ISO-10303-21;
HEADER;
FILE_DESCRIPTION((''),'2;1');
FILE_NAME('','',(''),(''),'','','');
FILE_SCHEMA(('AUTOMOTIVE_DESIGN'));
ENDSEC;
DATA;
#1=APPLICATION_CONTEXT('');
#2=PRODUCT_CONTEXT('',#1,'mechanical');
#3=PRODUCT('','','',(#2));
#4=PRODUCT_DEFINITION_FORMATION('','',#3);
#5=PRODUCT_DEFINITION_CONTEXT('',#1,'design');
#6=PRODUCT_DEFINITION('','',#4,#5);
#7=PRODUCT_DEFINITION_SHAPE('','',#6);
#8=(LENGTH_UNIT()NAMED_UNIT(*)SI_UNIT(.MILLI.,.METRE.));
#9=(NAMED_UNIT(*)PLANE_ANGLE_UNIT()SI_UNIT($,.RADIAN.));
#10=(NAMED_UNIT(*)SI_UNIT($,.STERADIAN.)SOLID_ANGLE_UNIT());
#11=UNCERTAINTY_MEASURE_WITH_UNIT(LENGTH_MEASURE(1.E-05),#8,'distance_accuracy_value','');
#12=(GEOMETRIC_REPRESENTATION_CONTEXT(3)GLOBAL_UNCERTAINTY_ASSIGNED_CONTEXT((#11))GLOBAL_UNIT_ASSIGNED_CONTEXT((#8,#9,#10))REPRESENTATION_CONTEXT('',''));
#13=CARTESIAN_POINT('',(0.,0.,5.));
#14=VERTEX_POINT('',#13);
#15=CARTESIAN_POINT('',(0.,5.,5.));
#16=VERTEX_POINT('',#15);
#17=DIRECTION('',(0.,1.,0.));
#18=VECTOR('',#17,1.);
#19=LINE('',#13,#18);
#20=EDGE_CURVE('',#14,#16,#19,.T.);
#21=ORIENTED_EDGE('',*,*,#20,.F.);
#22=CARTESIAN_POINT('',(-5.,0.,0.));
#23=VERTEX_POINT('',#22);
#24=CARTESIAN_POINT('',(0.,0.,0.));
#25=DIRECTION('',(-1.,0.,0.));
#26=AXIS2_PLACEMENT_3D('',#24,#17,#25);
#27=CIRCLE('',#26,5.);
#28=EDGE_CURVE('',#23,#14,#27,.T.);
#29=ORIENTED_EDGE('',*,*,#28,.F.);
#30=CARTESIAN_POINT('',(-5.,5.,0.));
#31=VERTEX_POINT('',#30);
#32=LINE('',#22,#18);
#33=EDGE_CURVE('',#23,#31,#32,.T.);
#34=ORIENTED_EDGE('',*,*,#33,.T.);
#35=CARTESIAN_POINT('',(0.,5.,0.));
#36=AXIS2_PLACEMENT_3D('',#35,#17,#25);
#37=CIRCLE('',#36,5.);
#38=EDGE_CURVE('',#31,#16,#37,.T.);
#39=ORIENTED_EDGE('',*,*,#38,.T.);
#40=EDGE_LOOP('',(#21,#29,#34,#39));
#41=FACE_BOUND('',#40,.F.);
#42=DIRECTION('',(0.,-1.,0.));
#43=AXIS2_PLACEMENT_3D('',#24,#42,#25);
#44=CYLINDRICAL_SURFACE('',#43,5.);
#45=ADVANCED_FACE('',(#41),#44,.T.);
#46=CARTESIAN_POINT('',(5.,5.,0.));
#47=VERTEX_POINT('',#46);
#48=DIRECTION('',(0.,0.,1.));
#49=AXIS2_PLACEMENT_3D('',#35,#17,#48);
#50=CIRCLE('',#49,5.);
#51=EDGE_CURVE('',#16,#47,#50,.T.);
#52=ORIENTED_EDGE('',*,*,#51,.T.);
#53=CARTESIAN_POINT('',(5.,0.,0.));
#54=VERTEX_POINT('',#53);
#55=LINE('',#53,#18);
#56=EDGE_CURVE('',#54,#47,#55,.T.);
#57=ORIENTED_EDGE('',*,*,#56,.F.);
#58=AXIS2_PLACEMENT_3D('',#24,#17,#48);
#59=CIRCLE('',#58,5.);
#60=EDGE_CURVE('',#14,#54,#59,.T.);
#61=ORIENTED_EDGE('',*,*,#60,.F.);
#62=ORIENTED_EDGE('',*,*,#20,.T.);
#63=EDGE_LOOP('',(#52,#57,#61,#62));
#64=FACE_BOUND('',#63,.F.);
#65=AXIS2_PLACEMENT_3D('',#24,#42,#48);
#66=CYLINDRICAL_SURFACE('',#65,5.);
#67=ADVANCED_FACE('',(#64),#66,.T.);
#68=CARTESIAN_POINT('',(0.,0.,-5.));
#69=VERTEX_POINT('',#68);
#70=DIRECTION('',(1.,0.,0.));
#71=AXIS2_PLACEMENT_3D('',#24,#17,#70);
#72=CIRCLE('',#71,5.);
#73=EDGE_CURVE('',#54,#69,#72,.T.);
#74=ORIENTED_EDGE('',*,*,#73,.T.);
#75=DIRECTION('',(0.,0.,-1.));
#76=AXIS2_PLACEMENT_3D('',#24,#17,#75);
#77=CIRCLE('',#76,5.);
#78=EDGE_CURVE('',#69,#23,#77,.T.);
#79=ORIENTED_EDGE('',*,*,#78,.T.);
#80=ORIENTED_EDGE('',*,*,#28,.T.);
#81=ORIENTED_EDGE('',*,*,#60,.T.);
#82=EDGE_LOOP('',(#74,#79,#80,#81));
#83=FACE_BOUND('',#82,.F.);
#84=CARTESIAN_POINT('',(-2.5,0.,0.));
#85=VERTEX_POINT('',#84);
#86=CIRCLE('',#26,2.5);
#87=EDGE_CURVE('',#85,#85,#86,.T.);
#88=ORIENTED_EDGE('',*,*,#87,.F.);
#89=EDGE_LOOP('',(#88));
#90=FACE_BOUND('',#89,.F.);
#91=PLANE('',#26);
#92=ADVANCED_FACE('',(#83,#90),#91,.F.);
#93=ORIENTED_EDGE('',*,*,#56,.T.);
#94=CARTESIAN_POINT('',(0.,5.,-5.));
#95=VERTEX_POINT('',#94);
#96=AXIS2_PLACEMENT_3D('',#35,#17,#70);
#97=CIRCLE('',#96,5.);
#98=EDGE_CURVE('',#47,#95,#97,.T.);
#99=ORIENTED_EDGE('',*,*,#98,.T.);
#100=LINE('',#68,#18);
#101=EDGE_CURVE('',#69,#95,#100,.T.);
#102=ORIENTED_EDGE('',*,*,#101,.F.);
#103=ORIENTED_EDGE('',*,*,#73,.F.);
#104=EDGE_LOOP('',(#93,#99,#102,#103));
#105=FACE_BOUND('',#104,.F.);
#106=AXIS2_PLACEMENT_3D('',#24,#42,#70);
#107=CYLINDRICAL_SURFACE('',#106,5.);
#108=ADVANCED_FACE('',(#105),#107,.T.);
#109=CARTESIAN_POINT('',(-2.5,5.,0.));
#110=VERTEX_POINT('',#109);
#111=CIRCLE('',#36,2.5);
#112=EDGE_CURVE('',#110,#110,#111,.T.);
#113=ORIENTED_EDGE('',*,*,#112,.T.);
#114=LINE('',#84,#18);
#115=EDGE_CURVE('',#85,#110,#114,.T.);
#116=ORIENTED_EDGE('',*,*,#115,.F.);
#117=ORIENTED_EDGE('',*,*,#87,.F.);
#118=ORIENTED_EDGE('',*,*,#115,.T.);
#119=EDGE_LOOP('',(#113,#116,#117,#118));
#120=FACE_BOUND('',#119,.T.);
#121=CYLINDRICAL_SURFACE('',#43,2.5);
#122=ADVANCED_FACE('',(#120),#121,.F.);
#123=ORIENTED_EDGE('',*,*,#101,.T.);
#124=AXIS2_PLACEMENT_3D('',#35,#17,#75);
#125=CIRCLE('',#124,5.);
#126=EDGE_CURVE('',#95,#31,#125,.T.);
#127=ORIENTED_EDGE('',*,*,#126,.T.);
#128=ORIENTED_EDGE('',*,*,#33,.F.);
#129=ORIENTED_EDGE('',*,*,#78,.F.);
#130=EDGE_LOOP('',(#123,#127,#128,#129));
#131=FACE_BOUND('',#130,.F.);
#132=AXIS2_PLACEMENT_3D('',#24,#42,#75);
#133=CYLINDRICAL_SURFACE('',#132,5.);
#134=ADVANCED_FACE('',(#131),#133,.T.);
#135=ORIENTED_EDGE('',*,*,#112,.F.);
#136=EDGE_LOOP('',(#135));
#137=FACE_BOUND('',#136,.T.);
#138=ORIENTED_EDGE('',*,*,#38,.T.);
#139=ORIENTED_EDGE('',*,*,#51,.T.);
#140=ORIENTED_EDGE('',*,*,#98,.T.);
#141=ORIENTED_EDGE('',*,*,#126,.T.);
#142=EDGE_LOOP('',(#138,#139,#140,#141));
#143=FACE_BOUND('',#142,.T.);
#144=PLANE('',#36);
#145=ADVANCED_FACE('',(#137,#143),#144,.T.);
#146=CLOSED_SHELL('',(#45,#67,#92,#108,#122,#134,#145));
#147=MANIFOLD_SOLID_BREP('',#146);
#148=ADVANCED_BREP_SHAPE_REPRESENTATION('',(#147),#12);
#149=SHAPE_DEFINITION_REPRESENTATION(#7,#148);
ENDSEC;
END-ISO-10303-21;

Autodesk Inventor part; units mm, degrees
ref_plane "YZ Plane" through (0, 0, 0) normal (1, 0, 0) x (0, 1, 0)
ref_plane "XZ Plane" through (0, 0, 0) normal (0, 1, 0) x (-1, 0, 0)
ref_plane "XY Plane" through (0, 0, 0) normal (0, 0, 1) x (1, 0, 0)
sketch "Sketch1" plane through (0, 0, 0) normal (0, 1, 0) x (-1, 0, 0)
  line L0 (0, -5) -> (0, -5)
  line L1 (5, 0) -> (5, 0)
  line L2 (0, 5) -> (0, 5)
  line L3 (-5, 0) -> (-5, 0)
  line L4 (-5, -5) -> (5, 5) construction
  line L5 (5, -5) -> (-5, 5) construction
  circle A0 centre (0, 0) radius 2.5
  arc A1 (0, 5) -> (-5, 0) centre (0, 0) ccw
  arc A2 (5, 0) -> (0, 5) centre (0, 0) ccw
  arc A3 (0, -5) -> (5, 0) centre (0, 0) ccw
  arc A4 (-5, 0) -> (0, -5) centre (0, 0) ccw
  point P0 (0, 5)
  point P1 (-5, 0)
  dimension "d0" = 10
  dimension "d1" = 10
  dimension "d46" = 5
  dimension "d47" = 5
extrude "Extrusion1" add sketch "Sketch1" along normal blind 5
equation "\"BendRadius\" = Thickness"
equation "\"BendReliefWidth\" = Thickness"
equation "\"BendReliefDepth\" = 0.5 * Thickness"
equation "\"CornerReliefSize\" = 4 * Thickness"
equation "\"MinimumRemnant\" = 2 * Thickness"
equation "\"TransitionRadius\" = BendRadius"
equation "\"JacobiRadiusSize\" = BendRadius"
equation "\"GapSize\" = Thickness"
equation "\"Thickness\" = 3.048"
properties part number "base"
